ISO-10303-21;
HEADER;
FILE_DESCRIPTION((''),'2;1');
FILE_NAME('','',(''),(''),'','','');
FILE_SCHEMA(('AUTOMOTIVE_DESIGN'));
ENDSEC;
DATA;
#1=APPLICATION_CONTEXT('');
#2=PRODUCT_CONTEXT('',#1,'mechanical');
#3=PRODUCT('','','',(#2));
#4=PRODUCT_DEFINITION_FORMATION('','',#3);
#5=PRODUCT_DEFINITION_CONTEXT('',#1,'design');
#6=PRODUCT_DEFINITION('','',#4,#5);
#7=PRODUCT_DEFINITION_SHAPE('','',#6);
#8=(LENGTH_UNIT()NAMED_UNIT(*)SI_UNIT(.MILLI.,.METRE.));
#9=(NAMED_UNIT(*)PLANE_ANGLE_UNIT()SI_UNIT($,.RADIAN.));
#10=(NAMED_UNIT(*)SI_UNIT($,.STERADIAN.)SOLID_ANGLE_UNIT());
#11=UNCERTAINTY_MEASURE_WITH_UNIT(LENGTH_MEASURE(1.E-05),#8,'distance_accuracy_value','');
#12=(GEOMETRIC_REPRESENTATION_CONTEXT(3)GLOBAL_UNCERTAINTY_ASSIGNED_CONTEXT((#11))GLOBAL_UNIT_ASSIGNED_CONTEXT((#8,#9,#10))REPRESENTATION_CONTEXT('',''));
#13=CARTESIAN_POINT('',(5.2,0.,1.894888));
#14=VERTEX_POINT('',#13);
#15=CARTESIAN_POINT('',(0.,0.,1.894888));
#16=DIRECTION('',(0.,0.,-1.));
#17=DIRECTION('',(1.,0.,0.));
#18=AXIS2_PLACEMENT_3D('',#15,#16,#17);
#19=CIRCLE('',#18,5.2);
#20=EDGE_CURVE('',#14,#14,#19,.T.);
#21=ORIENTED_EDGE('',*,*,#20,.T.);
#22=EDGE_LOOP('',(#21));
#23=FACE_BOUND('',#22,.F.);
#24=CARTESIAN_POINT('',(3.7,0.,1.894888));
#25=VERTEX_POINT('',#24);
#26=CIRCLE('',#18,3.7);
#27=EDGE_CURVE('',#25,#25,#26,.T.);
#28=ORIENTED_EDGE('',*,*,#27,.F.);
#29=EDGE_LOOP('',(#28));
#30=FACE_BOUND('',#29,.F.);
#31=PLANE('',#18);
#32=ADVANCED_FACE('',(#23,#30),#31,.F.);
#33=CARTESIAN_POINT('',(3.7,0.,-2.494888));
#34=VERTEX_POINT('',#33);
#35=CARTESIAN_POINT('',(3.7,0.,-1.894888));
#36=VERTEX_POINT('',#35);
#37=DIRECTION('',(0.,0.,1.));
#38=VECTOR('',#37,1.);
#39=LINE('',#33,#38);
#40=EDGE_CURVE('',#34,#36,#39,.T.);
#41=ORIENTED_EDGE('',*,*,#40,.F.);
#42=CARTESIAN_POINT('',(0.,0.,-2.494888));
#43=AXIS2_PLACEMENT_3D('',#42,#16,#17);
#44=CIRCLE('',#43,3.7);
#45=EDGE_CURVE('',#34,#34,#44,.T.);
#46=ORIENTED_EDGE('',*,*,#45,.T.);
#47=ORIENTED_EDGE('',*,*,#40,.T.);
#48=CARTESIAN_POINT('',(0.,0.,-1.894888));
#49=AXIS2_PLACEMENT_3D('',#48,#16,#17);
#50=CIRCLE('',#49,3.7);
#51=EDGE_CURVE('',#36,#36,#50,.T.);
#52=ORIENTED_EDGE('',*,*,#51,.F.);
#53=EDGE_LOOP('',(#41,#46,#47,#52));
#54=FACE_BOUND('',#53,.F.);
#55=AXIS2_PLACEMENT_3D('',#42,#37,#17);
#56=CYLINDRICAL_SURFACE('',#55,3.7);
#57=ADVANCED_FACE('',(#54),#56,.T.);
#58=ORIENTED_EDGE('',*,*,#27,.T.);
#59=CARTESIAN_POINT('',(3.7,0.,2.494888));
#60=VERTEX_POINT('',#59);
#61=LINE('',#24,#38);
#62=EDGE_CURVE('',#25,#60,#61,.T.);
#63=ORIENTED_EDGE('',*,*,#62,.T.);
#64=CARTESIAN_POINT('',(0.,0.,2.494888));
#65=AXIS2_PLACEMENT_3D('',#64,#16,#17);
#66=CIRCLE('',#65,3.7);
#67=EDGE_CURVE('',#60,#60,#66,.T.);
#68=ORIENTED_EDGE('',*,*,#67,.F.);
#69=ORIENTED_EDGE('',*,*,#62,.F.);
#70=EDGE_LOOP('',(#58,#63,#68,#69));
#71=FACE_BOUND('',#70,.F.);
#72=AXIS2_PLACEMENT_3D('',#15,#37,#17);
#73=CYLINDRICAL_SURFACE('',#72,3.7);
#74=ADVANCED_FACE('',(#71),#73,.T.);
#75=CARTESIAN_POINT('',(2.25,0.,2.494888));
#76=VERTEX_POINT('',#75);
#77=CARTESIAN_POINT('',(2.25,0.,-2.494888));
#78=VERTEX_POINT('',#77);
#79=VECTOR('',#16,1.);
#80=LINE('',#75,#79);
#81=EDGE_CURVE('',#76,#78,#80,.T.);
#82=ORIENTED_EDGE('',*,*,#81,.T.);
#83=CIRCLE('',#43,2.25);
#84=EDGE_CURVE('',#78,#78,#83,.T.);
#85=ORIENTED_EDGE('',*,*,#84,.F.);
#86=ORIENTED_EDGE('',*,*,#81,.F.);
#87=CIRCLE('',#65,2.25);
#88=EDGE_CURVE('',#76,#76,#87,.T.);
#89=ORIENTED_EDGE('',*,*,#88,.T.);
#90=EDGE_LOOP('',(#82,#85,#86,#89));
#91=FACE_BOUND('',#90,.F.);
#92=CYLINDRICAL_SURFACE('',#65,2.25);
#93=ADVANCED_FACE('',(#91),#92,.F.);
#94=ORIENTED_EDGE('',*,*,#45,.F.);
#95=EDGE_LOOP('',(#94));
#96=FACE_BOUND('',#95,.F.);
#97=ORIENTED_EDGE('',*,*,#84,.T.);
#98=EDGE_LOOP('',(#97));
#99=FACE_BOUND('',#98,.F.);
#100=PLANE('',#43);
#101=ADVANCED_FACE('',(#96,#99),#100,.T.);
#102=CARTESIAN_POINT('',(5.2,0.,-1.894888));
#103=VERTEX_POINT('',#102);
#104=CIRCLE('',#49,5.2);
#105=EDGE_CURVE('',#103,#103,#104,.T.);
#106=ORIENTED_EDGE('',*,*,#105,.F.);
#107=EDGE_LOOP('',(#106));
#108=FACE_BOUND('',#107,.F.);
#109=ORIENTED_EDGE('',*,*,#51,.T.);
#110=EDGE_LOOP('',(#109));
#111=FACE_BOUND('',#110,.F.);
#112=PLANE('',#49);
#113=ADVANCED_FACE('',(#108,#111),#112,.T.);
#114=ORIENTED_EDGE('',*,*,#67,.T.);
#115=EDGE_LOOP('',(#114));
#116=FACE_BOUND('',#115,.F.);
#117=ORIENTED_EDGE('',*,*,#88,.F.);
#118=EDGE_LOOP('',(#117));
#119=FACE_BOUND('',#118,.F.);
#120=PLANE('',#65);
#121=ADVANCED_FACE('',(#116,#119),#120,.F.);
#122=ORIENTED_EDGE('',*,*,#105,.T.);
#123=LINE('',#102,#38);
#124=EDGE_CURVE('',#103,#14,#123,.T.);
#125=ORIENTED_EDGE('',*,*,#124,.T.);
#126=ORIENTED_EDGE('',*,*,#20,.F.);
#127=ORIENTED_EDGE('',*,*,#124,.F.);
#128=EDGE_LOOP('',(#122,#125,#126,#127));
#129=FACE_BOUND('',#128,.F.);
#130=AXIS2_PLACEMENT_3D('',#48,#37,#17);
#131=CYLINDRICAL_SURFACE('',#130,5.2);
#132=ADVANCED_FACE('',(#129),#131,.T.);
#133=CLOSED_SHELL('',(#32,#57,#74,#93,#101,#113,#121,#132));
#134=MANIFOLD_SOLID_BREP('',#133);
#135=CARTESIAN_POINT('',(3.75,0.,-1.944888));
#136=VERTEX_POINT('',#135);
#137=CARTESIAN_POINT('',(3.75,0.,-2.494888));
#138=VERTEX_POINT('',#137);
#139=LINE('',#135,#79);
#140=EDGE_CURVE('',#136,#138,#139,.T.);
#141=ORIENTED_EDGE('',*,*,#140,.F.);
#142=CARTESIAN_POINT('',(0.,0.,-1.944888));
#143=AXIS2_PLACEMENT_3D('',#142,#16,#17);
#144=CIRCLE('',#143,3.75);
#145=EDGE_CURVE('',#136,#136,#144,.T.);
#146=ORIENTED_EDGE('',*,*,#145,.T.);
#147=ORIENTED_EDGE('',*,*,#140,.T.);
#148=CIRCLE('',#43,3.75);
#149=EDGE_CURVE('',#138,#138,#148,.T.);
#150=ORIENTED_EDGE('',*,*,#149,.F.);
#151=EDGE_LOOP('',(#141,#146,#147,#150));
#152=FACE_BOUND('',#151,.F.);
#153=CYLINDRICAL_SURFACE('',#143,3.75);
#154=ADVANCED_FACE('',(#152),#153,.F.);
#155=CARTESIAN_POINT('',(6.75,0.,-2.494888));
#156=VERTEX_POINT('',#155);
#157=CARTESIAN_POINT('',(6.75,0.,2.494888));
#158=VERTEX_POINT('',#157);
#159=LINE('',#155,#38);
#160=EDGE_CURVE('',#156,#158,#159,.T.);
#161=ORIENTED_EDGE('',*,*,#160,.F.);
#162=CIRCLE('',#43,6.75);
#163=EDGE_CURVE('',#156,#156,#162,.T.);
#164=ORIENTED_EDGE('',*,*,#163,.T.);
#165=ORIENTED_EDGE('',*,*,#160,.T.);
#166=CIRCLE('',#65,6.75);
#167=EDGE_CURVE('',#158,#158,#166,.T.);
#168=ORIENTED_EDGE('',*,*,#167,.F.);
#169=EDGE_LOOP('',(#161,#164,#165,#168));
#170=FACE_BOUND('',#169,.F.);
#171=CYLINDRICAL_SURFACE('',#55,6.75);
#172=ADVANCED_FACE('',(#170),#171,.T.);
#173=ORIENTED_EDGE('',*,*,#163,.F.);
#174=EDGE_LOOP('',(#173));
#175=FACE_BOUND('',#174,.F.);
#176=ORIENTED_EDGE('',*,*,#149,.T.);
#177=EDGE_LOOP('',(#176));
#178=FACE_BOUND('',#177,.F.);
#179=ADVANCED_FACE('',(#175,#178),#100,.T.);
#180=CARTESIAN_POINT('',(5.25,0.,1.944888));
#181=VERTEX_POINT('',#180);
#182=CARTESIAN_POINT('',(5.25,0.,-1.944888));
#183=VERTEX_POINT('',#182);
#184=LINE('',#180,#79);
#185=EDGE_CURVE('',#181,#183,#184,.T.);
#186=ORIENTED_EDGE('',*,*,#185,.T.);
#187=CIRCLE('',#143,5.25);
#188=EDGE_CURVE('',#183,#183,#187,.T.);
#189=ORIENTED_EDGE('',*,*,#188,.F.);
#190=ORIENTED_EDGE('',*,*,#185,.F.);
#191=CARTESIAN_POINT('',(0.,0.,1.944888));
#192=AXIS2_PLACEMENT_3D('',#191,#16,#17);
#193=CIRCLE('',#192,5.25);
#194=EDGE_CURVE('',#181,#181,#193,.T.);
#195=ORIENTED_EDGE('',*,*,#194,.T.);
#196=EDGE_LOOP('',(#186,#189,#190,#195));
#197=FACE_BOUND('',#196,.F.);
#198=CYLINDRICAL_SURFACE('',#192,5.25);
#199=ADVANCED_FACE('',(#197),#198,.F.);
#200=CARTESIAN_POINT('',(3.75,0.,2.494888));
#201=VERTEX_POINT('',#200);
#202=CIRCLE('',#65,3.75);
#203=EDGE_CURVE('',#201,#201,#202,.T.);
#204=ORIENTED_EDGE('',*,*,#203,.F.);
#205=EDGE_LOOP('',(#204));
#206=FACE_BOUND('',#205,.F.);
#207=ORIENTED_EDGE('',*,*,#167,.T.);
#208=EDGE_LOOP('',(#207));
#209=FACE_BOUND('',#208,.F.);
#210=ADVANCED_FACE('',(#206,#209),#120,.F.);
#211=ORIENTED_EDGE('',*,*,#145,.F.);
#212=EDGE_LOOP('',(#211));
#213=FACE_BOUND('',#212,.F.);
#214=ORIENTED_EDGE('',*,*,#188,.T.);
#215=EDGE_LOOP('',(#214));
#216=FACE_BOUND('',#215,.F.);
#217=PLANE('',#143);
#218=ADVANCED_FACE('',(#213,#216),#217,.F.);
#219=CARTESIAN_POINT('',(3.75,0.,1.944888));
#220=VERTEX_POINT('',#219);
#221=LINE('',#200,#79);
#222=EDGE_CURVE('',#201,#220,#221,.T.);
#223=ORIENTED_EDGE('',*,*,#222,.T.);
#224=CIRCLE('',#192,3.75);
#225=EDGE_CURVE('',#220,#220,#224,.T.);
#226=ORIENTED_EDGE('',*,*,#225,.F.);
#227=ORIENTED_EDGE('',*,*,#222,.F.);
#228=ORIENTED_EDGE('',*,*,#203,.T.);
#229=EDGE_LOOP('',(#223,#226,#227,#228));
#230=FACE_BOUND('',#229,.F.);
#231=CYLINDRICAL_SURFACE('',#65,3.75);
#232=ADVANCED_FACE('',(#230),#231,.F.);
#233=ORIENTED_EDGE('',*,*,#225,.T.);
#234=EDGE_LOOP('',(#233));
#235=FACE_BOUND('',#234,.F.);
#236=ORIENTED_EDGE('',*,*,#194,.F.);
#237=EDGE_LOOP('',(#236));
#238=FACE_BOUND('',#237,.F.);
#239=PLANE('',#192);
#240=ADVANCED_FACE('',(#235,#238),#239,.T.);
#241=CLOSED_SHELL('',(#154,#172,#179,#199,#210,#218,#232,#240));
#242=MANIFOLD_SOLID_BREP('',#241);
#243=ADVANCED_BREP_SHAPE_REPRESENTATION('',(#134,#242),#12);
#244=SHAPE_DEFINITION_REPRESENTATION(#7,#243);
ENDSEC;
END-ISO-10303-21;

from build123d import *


with BuildPart() as f1:
    # F0 (on Front) → F1 (revolve)
    with BuildSketch(Plane.XZ):
        Polygon((2.25, -1.944888), (2.25, -2.494888), (3.7, -2.494888), (3.7, -1.894888), (3.75, -1.894888), (5.2, -1.894888), (5.2, 1.894888), (3.75, 1.894888), (3.7, 1.894888), (3.7, 2.494888), (2.25, 2.494888), (2.25, 1.944888), (2.25, 1.894888), (2.25, -1.894888), align=None)
        Polygon((3.75, -2.494888), (6.75, -2.494888), (6.75, 2.494888), (3.75, 2.494888), (3.75, 1.944888), (5.25, 1.944888), (5.25, -1.944888), (3.75, -1.944888), align=None)
    revolve(axis=Axis((0, 0, 0), (0, 0, -1)))


solid = f1.part
